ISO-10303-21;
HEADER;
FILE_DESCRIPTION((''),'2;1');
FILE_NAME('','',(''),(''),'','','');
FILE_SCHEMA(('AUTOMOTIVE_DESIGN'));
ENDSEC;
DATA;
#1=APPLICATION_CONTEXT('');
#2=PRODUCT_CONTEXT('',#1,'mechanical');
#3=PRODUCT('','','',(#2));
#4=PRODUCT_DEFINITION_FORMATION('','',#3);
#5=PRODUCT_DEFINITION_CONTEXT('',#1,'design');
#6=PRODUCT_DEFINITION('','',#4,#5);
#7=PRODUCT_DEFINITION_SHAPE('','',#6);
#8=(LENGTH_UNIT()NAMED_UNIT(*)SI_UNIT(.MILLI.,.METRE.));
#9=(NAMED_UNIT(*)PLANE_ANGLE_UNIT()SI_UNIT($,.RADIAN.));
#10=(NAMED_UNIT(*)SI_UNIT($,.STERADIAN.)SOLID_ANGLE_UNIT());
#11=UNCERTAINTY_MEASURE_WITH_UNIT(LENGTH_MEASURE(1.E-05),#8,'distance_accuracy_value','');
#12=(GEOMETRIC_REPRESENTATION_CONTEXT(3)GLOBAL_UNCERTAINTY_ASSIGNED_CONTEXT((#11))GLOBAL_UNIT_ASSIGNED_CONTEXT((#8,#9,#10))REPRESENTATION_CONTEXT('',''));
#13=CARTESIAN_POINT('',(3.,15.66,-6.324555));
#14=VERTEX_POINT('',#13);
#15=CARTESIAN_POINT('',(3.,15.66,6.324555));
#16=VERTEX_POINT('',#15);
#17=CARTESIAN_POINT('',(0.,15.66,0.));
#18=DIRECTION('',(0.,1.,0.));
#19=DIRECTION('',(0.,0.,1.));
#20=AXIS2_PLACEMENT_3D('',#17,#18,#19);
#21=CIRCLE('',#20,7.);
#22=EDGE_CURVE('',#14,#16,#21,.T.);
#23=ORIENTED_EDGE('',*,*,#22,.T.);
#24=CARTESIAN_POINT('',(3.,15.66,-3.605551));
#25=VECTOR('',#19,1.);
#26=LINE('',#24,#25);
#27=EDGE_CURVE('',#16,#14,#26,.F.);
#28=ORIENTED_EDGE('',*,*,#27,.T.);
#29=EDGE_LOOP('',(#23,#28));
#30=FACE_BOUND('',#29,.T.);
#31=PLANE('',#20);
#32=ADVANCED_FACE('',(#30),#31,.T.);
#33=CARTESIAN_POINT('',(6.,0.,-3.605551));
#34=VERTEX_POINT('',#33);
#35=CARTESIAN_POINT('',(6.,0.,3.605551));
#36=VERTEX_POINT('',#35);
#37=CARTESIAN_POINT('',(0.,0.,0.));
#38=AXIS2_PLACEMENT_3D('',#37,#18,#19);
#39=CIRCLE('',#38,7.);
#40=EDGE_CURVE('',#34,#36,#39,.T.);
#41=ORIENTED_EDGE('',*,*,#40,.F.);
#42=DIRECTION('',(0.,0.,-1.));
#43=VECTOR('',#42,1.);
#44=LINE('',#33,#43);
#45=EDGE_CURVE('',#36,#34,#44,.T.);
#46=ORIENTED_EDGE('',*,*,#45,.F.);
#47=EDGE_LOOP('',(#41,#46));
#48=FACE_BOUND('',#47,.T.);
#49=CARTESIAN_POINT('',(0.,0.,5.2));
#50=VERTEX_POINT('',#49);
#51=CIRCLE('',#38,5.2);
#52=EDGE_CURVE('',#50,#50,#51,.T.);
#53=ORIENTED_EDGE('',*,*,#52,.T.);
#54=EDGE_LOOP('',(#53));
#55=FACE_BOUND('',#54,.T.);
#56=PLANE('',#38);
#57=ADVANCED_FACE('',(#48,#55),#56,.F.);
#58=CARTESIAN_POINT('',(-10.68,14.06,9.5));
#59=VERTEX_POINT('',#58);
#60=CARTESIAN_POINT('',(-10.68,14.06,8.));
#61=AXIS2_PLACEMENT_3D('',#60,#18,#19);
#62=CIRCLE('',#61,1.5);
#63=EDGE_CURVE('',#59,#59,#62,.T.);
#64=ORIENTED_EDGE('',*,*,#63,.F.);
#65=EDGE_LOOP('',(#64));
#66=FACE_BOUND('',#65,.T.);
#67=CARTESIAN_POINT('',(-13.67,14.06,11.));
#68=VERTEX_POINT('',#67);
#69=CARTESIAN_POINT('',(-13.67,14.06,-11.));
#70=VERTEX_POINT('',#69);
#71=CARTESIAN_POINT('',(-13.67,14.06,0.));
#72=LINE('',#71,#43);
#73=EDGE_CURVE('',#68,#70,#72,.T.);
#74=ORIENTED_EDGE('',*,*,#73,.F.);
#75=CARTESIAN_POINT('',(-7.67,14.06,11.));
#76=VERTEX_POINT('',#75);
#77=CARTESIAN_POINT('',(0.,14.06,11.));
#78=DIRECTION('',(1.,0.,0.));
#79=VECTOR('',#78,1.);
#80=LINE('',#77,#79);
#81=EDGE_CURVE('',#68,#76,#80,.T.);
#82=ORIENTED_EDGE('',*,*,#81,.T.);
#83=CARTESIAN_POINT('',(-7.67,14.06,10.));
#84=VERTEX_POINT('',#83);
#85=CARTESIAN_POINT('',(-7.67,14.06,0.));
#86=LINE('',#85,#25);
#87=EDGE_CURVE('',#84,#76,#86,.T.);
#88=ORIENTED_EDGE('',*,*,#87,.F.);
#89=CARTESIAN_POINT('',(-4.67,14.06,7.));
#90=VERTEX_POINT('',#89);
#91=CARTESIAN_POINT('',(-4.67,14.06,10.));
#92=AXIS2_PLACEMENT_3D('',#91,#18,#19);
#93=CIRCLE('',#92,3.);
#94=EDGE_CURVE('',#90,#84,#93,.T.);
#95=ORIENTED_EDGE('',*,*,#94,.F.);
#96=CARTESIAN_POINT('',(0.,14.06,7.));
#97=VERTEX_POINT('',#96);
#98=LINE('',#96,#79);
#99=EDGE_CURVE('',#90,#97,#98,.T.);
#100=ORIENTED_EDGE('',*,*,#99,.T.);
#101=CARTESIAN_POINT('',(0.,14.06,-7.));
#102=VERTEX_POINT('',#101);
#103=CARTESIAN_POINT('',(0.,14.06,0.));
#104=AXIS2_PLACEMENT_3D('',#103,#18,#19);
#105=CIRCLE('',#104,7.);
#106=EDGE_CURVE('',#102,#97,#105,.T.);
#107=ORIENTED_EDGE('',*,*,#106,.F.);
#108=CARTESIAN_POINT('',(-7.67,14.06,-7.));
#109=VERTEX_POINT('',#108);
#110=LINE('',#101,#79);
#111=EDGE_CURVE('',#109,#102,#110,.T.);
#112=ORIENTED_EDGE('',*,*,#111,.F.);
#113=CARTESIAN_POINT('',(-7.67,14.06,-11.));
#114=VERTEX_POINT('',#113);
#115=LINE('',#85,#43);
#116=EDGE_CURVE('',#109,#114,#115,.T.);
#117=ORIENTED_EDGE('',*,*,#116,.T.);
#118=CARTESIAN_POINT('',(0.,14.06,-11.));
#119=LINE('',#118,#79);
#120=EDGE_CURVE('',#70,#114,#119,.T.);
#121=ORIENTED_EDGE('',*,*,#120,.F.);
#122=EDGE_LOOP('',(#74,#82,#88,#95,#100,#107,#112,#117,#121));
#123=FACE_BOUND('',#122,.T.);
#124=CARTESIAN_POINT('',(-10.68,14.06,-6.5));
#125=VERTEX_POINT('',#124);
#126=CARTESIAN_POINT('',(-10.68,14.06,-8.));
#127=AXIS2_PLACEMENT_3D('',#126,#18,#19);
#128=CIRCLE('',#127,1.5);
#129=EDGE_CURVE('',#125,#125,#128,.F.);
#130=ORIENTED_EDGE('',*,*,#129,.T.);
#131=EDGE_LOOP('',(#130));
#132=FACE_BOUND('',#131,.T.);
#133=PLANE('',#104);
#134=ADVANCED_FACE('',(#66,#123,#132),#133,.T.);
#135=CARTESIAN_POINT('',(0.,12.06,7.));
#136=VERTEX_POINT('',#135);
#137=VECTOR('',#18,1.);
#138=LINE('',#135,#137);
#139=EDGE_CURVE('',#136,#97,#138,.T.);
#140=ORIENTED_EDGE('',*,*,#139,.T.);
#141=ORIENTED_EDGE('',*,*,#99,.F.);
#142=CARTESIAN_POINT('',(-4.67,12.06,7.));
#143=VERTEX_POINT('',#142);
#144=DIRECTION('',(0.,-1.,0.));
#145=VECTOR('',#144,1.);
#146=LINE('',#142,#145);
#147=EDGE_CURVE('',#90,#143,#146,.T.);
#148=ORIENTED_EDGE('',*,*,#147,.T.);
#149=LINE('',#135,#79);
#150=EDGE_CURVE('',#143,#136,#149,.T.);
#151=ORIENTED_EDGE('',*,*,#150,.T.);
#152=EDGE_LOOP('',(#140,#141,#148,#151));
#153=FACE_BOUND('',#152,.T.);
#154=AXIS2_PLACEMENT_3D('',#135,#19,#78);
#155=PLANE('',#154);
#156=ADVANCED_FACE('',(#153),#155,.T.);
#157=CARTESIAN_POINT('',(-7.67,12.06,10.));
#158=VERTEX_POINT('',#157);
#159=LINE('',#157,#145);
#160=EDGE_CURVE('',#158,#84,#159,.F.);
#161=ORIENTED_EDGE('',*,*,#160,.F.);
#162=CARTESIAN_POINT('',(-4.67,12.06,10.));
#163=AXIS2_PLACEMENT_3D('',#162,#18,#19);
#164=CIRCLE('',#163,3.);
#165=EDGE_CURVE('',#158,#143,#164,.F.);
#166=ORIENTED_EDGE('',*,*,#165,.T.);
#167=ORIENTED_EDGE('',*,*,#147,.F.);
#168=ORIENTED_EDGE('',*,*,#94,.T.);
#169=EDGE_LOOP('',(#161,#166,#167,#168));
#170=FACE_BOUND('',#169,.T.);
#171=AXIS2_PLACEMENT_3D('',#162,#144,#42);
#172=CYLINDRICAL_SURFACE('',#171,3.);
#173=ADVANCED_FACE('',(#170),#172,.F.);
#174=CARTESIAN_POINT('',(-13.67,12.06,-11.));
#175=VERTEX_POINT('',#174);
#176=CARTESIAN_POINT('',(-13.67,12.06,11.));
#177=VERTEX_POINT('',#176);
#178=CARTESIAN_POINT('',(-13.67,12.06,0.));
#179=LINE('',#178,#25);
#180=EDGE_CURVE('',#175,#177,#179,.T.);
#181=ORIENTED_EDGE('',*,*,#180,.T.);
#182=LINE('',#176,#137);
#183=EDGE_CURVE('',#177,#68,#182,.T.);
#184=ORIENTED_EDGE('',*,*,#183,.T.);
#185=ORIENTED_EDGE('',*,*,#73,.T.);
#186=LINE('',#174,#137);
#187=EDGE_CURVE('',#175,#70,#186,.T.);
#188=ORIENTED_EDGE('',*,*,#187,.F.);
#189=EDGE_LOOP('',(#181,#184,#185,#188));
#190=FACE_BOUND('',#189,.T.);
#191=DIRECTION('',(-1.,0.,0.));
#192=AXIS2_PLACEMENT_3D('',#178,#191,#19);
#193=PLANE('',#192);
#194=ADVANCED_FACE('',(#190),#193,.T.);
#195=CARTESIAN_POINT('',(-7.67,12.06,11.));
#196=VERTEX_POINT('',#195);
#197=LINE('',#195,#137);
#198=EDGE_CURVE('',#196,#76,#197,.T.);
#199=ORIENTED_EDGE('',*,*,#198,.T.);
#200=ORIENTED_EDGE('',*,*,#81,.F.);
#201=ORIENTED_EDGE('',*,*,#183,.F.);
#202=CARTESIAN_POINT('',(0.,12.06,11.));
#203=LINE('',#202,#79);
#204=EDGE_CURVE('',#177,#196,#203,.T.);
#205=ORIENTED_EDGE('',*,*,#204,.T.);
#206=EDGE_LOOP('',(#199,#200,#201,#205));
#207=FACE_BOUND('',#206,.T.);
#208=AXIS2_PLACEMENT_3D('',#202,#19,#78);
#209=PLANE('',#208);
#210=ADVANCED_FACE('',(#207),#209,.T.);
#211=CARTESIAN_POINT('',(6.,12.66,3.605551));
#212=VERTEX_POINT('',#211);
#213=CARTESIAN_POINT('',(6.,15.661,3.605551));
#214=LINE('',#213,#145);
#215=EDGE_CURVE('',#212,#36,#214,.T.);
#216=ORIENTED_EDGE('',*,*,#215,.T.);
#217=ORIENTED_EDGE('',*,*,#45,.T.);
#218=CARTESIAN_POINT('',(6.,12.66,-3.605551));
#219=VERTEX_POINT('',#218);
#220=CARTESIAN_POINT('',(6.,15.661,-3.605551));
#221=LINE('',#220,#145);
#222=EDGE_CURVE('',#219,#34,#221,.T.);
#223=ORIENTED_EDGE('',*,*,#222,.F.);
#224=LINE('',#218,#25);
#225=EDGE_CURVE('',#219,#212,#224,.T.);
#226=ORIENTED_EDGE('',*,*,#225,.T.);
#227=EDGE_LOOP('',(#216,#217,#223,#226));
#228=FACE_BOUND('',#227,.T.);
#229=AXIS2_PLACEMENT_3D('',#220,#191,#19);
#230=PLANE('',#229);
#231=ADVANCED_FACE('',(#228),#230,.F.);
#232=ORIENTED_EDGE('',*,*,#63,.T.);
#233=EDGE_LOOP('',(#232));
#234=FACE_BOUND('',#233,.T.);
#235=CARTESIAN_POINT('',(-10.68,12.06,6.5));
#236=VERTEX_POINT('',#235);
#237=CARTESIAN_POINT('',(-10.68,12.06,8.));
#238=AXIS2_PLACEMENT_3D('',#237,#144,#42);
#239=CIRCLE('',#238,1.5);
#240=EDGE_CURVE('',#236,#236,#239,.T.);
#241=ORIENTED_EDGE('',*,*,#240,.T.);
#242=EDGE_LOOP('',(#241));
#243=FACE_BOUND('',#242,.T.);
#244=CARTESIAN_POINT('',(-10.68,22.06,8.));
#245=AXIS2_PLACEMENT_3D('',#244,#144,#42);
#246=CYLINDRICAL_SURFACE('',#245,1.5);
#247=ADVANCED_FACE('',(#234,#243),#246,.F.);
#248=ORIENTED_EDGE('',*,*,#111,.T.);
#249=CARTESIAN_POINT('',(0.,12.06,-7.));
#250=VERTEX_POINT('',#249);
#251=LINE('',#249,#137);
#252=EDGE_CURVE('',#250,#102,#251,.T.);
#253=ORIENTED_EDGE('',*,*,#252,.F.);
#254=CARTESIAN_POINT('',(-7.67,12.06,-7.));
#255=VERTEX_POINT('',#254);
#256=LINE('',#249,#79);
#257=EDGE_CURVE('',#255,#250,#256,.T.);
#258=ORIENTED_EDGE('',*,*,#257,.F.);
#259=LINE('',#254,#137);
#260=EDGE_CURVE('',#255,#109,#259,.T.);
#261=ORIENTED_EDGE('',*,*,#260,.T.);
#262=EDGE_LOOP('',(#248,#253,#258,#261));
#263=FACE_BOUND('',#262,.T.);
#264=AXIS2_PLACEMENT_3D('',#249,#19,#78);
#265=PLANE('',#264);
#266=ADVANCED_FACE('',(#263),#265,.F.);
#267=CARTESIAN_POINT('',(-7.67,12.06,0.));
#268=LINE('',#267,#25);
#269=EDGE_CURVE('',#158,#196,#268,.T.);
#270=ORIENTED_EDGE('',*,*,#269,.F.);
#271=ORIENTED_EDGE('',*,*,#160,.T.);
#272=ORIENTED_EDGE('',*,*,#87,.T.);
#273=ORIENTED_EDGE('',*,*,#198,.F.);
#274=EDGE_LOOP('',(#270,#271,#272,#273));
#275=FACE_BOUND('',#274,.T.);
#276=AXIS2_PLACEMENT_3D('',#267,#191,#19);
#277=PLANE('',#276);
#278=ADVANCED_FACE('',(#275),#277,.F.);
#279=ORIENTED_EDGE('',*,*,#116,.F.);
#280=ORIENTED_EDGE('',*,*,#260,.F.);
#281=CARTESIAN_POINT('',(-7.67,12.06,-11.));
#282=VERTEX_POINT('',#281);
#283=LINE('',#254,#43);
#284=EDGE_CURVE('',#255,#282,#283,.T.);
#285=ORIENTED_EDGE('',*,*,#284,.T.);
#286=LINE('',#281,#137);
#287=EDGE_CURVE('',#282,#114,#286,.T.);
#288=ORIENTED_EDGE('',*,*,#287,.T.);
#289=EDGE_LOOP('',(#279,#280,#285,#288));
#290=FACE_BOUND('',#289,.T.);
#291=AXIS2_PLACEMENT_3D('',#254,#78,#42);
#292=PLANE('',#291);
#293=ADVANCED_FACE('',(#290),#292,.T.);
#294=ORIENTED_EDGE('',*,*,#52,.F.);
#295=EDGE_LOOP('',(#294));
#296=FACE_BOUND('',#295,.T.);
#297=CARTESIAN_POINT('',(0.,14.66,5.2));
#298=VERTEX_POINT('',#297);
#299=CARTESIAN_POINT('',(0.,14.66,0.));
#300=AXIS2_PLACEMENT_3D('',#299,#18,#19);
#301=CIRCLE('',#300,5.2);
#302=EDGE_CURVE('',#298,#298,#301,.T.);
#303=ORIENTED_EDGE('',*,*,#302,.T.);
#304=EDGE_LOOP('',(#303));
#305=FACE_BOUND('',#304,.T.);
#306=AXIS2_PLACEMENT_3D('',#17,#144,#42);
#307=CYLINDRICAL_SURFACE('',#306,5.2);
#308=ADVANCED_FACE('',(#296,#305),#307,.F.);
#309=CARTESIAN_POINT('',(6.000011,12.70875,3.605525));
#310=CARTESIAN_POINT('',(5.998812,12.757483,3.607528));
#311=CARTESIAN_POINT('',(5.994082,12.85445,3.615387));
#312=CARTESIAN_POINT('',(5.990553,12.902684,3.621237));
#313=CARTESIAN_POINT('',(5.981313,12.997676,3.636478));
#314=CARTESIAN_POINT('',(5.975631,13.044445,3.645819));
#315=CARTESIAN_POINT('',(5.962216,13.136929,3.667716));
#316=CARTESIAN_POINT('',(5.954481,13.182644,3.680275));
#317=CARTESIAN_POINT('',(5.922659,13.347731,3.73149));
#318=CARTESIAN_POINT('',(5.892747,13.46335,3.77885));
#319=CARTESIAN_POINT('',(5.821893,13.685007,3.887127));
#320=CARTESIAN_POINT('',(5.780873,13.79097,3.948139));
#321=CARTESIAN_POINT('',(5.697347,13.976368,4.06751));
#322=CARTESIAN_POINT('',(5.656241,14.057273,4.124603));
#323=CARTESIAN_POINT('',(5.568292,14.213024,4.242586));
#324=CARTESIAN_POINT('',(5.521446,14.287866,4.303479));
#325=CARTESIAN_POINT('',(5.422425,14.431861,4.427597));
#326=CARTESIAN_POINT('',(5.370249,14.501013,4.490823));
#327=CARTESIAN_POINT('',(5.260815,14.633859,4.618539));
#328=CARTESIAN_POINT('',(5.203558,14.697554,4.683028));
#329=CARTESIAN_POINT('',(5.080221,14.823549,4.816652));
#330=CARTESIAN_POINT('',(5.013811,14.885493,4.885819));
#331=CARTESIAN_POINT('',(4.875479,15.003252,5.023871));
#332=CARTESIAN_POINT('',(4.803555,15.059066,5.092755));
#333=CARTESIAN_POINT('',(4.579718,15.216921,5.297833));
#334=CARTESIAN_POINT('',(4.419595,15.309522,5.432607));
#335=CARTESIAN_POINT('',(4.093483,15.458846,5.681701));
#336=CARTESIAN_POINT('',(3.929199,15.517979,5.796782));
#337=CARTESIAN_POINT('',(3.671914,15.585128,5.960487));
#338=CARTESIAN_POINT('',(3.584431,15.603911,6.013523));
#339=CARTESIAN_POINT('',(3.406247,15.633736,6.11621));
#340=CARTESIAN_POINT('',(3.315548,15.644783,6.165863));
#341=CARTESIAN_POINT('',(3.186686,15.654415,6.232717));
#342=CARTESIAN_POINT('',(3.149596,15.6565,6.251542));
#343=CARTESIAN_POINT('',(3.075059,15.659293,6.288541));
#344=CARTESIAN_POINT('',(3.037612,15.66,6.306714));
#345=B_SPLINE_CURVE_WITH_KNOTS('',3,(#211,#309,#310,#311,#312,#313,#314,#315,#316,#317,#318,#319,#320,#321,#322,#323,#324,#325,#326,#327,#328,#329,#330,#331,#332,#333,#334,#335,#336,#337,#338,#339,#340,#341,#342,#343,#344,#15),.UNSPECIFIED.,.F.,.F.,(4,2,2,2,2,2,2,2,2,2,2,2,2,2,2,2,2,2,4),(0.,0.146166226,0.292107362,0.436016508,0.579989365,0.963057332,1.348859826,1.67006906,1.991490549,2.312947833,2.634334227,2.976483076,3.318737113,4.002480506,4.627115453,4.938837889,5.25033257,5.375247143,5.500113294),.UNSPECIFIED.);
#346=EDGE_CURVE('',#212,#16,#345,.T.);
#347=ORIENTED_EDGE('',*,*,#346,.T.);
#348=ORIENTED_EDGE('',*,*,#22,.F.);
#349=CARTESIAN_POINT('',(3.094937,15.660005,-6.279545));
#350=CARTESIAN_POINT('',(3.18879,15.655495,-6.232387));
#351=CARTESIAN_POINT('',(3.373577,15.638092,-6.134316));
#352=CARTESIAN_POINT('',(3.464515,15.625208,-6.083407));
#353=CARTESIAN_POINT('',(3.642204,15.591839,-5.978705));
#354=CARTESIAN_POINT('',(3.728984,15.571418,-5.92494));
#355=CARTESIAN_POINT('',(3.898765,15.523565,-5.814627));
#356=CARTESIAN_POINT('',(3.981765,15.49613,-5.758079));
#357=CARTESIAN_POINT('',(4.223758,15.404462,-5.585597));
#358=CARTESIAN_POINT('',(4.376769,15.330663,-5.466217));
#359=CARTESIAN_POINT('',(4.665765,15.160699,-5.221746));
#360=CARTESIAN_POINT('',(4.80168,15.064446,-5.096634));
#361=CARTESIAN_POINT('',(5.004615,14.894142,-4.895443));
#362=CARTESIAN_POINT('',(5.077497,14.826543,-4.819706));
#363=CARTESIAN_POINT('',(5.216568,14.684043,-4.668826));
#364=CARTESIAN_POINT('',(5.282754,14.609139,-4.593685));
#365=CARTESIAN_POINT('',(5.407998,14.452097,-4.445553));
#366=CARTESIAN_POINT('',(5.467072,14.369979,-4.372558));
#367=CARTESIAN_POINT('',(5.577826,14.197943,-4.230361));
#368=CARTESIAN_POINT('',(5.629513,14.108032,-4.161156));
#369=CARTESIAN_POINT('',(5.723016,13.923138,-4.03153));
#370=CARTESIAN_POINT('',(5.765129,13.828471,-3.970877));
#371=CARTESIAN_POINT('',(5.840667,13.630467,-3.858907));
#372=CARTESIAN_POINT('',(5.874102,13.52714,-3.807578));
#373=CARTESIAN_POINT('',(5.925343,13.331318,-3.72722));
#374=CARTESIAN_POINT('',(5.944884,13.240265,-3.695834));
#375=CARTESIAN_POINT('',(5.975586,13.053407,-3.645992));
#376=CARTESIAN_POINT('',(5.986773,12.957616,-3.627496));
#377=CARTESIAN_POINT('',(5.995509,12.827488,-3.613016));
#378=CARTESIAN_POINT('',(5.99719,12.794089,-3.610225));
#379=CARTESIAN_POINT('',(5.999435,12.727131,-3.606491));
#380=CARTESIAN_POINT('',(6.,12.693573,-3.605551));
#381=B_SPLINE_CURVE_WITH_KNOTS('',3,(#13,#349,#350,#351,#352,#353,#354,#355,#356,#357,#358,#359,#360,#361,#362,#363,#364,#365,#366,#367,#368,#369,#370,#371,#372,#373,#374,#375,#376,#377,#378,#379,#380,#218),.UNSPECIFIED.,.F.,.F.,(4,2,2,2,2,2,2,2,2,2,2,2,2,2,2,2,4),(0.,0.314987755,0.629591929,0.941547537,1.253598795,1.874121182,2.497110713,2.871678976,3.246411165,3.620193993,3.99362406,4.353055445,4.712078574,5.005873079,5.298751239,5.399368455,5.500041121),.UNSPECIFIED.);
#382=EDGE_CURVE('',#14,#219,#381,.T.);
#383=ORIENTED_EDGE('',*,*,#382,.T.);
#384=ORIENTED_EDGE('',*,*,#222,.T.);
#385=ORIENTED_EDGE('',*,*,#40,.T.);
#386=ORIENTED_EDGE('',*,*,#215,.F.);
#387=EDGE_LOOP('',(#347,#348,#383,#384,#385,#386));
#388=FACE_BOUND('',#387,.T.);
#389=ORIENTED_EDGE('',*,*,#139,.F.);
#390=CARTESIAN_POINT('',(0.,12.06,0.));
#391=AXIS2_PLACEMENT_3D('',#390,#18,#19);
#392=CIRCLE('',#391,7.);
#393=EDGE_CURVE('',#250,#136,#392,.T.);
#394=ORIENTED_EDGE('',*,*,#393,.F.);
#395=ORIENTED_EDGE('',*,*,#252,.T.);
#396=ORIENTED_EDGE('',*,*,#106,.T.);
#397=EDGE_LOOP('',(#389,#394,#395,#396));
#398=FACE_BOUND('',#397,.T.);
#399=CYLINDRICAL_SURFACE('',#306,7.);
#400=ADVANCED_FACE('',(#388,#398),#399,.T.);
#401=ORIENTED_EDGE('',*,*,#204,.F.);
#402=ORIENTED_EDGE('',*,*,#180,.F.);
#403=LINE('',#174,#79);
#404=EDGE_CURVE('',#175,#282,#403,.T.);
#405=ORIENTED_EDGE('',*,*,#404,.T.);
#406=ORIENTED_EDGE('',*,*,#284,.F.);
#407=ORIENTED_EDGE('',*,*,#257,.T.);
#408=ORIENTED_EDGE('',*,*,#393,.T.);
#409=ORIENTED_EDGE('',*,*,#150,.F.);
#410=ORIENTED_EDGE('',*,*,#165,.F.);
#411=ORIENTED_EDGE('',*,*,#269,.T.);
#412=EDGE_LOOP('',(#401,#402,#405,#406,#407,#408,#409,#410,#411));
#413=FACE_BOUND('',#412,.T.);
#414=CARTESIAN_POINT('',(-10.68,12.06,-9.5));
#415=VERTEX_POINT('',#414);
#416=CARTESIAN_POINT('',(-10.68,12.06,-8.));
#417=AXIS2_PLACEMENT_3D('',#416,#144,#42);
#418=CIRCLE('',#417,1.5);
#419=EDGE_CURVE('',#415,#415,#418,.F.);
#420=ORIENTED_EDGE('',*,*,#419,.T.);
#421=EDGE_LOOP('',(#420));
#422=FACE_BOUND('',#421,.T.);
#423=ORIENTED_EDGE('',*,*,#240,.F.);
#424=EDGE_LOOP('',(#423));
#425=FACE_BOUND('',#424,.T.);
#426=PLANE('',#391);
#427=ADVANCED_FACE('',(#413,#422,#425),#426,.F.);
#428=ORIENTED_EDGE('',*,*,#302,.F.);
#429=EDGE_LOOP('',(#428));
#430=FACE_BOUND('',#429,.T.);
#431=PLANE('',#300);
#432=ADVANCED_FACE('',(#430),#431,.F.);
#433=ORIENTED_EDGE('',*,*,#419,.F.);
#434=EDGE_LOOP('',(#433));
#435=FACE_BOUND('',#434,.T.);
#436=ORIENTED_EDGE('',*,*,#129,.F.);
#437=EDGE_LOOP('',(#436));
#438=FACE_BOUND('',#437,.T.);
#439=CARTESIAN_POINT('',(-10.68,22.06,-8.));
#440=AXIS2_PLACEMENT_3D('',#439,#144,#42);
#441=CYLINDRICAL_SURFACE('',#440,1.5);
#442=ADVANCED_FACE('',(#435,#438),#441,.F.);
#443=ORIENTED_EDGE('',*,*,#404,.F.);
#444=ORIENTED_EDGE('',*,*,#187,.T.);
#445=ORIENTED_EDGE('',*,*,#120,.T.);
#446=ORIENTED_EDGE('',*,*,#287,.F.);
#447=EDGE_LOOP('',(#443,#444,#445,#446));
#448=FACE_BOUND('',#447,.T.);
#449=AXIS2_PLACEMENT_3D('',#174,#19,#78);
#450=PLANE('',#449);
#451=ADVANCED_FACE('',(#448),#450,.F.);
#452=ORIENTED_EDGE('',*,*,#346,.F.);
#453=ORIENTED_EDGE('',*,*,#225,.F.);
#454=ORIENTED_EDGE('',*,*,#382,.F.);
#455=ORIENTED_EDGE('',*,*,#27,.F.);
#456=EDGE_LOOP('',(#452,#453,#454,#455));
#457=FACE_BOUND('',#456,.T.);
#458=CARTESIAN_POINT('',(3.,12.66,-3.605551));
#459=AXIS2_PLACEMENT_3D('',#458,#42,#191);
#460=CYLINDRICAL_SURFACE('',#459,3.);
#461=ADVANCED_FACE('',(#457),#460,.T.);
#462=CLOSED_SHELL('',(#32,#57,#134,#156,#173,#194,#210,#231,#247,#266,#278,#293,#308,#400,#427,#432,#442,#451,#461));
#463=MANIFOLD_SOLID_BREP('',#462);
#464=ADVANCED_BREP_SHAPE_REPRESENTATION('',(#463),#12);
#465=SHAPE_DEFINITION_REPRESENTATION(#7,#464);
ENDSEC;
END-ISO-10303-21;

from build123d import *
from build123d.topology import SkipClean

# Parameters (mm, degrees)
SKETCH1_R           = 7
SKETCH1_R_2         = 5.2
BOSS_EXTRUDE1_DEPTH = 15.66
BOSS_EXTRUDE2_START = -3.6
SKETCH2_W           = 6
SKETCH2_H           = 4
BOSS_EXTRUDE2_DEPTH = 3.6
CUT_EXTRUDE2_START  = -1.6
SKETCH2_3_W         = 6
SKETCH2_3_H         = 4
CUT_EXTRUDE2_DEPTH  = 1.6
SKETCH4_R           = 1.5
CUT_EXTRUDE1_DEPTH  = 10
FILLET7_R           = 3
BOSS_EXTRUDE3_START = -1
SKETCH5_R           = 5.2
BOSS_EXTRUDE3_DEPTH = 1
CUT_EXTRUDE3_DEPTH  = 15.66
FILLET8_R           = 3


with BuildPart() as part:
    # Sketch1 → Boss-Extrude1 (new body)
    with BuildSketch(Plane(origin=(0, 0, 0), x_dir=(1, 0, 0), z_dir=(0, 1, 0))):
        with Locations(Location((0, 0, 0), (0, 0, 270))):
            Circle(SKETCH1_R)
        with Locations(Location((0, 0, 0), (0, 0, 270))):
            Circle(SKETCH1_R_2, mode=Mode.SUBTRACT)
    extrude(amount=BOSS_EXTRUDE1_DEPTH)

    # Sketch2 → Boss-Extrude2 (add)
    with BuildSketch(Plane(origin=(0, 15.66, 0), x_dir=(1, 0, 0), z_dir=(0, 1, 0)).offset(BOSS_EXTRUDE2_START)):
        with Locations((-10.67, -9)):
            Rectangle(SKETCH2_W, SKETCH2_H)
        with BuildLine():
            ThreePointArc((0, -7), (-7, 0), (0, 7))
            Line((0, 7), (-7.67, 7))
            Line((-7.67, 7), (-13.67, 7))
            Line((-13.67, 7), (-13.67, -7))
            Line((-13.67, -7), (-7.67, -7))
            Line((-7.67, -7), (0, -7))
        make_face()
        with Locations((-10.67, 9)):
            Rectangle(SKETCH2_W, SKETCH2_H)
    extrude(amount=BOSS_EXTRUDE2_DEPTH)

    # Sketch2<3> → Cut-Extrude2 (cut)
    with SkipClean():  # the faces are left unmerged after this step: merging them gives an invalid solid
        with BuildSketch(Plane(origin=(0, 15.66, 0), x_dir=(1, 0, 0), z_dir=(0, 1, 0)).offset(CUT_EXTRUDE2_START)):
            with BuildLine():
                ThreePointArc((0, -7), (-7, 0), (0, 7))
                Line((0, 7), (-7.67, 7))
                Line((-7.67, 7), (-13.67, 7))
                Line((-13.67, 7), (-13.67, -7))
                Line((-13.67, -7), (-7.67, -7))
                Line((-7.67, -7), (0, -7))
            make_face()
            with Locations((-10.67, 9)):
                Rectangle(SKETCH2_3_W, SKETCH2_3_H)
            with Locations((-10.67, -9)):
                Rectangle(SKETCH2_3_W, SKETCH2_3_H)
        extrude(amount=CUT_EXTRUDE2_DEPTH, mode=Mode.SUBTRACT)

    # Sketch4 → Cut-Extrude1 (cut)
    with SkipClean():  # the faces are left unmerged after this step: merging them gives an invalid solid
        with BuildSketch(Plane.XZ.offset(-12.06)):
            with Locations(Location((-10.68, -8, 0), (0, 0, 270))):
                Circle(SKETCH4_R)
            with Locations(Location((-10.68, 8, 0), (0, 0, 270))):
                Circle(SKETCH4_R)
        extrude(amount=-CUT_EXTRUDE1_DEPTH, mode=Mode.SUBTRACT)

    # Fillet7
    fillet7_edges = [part.edges().sort_by_distance(p)[0] for p in [
        (-7.67, 13.06, 7),
    ]]
    fillet(fillet7_edges, radius=FILLET7_R)

    # Sketch5 → Boss-Extrude3 (add)
    with SkipClean():  # the faces are left unmerged after this step: merging them gives an invalid solid
        with BuildSketch(Plane(origin=(0, 15.66, 0), x_dir=(1, 0, 0), z_dir=(0, 1, 0)).offset(BOSS_EXTRUDE3_START)):
            with Locations(Location((0, 0, 0), (0, 0, 270))):
                Circle(SKETCH5_R)
        extrude(amount=BOSS_EXTRUDE3_DEPTH)

    # Sketch6 → Cut-Extrude3 (cut)
    with BuildSketch(Plane.XZ):
        with BuildLine():
            Line((6, -3.605551275), (6, 3.605551275))
            ThreePointArc((6, 3.605551275), (7, 0), (6, -3.605551275))
        make_face()
    extrude(amount=-CUT_EXTRUDE3_DEPTH, mode=Mode.SUBTRACT)

    # Fillet8
    fillet8_edges = [part.edges().sort_by_distance(p)[0] for p in [
        (6, 15.66, 0),
    ]]
    fillet(fillet8_edges, radius=FILLET8_R)


solid = part.part
